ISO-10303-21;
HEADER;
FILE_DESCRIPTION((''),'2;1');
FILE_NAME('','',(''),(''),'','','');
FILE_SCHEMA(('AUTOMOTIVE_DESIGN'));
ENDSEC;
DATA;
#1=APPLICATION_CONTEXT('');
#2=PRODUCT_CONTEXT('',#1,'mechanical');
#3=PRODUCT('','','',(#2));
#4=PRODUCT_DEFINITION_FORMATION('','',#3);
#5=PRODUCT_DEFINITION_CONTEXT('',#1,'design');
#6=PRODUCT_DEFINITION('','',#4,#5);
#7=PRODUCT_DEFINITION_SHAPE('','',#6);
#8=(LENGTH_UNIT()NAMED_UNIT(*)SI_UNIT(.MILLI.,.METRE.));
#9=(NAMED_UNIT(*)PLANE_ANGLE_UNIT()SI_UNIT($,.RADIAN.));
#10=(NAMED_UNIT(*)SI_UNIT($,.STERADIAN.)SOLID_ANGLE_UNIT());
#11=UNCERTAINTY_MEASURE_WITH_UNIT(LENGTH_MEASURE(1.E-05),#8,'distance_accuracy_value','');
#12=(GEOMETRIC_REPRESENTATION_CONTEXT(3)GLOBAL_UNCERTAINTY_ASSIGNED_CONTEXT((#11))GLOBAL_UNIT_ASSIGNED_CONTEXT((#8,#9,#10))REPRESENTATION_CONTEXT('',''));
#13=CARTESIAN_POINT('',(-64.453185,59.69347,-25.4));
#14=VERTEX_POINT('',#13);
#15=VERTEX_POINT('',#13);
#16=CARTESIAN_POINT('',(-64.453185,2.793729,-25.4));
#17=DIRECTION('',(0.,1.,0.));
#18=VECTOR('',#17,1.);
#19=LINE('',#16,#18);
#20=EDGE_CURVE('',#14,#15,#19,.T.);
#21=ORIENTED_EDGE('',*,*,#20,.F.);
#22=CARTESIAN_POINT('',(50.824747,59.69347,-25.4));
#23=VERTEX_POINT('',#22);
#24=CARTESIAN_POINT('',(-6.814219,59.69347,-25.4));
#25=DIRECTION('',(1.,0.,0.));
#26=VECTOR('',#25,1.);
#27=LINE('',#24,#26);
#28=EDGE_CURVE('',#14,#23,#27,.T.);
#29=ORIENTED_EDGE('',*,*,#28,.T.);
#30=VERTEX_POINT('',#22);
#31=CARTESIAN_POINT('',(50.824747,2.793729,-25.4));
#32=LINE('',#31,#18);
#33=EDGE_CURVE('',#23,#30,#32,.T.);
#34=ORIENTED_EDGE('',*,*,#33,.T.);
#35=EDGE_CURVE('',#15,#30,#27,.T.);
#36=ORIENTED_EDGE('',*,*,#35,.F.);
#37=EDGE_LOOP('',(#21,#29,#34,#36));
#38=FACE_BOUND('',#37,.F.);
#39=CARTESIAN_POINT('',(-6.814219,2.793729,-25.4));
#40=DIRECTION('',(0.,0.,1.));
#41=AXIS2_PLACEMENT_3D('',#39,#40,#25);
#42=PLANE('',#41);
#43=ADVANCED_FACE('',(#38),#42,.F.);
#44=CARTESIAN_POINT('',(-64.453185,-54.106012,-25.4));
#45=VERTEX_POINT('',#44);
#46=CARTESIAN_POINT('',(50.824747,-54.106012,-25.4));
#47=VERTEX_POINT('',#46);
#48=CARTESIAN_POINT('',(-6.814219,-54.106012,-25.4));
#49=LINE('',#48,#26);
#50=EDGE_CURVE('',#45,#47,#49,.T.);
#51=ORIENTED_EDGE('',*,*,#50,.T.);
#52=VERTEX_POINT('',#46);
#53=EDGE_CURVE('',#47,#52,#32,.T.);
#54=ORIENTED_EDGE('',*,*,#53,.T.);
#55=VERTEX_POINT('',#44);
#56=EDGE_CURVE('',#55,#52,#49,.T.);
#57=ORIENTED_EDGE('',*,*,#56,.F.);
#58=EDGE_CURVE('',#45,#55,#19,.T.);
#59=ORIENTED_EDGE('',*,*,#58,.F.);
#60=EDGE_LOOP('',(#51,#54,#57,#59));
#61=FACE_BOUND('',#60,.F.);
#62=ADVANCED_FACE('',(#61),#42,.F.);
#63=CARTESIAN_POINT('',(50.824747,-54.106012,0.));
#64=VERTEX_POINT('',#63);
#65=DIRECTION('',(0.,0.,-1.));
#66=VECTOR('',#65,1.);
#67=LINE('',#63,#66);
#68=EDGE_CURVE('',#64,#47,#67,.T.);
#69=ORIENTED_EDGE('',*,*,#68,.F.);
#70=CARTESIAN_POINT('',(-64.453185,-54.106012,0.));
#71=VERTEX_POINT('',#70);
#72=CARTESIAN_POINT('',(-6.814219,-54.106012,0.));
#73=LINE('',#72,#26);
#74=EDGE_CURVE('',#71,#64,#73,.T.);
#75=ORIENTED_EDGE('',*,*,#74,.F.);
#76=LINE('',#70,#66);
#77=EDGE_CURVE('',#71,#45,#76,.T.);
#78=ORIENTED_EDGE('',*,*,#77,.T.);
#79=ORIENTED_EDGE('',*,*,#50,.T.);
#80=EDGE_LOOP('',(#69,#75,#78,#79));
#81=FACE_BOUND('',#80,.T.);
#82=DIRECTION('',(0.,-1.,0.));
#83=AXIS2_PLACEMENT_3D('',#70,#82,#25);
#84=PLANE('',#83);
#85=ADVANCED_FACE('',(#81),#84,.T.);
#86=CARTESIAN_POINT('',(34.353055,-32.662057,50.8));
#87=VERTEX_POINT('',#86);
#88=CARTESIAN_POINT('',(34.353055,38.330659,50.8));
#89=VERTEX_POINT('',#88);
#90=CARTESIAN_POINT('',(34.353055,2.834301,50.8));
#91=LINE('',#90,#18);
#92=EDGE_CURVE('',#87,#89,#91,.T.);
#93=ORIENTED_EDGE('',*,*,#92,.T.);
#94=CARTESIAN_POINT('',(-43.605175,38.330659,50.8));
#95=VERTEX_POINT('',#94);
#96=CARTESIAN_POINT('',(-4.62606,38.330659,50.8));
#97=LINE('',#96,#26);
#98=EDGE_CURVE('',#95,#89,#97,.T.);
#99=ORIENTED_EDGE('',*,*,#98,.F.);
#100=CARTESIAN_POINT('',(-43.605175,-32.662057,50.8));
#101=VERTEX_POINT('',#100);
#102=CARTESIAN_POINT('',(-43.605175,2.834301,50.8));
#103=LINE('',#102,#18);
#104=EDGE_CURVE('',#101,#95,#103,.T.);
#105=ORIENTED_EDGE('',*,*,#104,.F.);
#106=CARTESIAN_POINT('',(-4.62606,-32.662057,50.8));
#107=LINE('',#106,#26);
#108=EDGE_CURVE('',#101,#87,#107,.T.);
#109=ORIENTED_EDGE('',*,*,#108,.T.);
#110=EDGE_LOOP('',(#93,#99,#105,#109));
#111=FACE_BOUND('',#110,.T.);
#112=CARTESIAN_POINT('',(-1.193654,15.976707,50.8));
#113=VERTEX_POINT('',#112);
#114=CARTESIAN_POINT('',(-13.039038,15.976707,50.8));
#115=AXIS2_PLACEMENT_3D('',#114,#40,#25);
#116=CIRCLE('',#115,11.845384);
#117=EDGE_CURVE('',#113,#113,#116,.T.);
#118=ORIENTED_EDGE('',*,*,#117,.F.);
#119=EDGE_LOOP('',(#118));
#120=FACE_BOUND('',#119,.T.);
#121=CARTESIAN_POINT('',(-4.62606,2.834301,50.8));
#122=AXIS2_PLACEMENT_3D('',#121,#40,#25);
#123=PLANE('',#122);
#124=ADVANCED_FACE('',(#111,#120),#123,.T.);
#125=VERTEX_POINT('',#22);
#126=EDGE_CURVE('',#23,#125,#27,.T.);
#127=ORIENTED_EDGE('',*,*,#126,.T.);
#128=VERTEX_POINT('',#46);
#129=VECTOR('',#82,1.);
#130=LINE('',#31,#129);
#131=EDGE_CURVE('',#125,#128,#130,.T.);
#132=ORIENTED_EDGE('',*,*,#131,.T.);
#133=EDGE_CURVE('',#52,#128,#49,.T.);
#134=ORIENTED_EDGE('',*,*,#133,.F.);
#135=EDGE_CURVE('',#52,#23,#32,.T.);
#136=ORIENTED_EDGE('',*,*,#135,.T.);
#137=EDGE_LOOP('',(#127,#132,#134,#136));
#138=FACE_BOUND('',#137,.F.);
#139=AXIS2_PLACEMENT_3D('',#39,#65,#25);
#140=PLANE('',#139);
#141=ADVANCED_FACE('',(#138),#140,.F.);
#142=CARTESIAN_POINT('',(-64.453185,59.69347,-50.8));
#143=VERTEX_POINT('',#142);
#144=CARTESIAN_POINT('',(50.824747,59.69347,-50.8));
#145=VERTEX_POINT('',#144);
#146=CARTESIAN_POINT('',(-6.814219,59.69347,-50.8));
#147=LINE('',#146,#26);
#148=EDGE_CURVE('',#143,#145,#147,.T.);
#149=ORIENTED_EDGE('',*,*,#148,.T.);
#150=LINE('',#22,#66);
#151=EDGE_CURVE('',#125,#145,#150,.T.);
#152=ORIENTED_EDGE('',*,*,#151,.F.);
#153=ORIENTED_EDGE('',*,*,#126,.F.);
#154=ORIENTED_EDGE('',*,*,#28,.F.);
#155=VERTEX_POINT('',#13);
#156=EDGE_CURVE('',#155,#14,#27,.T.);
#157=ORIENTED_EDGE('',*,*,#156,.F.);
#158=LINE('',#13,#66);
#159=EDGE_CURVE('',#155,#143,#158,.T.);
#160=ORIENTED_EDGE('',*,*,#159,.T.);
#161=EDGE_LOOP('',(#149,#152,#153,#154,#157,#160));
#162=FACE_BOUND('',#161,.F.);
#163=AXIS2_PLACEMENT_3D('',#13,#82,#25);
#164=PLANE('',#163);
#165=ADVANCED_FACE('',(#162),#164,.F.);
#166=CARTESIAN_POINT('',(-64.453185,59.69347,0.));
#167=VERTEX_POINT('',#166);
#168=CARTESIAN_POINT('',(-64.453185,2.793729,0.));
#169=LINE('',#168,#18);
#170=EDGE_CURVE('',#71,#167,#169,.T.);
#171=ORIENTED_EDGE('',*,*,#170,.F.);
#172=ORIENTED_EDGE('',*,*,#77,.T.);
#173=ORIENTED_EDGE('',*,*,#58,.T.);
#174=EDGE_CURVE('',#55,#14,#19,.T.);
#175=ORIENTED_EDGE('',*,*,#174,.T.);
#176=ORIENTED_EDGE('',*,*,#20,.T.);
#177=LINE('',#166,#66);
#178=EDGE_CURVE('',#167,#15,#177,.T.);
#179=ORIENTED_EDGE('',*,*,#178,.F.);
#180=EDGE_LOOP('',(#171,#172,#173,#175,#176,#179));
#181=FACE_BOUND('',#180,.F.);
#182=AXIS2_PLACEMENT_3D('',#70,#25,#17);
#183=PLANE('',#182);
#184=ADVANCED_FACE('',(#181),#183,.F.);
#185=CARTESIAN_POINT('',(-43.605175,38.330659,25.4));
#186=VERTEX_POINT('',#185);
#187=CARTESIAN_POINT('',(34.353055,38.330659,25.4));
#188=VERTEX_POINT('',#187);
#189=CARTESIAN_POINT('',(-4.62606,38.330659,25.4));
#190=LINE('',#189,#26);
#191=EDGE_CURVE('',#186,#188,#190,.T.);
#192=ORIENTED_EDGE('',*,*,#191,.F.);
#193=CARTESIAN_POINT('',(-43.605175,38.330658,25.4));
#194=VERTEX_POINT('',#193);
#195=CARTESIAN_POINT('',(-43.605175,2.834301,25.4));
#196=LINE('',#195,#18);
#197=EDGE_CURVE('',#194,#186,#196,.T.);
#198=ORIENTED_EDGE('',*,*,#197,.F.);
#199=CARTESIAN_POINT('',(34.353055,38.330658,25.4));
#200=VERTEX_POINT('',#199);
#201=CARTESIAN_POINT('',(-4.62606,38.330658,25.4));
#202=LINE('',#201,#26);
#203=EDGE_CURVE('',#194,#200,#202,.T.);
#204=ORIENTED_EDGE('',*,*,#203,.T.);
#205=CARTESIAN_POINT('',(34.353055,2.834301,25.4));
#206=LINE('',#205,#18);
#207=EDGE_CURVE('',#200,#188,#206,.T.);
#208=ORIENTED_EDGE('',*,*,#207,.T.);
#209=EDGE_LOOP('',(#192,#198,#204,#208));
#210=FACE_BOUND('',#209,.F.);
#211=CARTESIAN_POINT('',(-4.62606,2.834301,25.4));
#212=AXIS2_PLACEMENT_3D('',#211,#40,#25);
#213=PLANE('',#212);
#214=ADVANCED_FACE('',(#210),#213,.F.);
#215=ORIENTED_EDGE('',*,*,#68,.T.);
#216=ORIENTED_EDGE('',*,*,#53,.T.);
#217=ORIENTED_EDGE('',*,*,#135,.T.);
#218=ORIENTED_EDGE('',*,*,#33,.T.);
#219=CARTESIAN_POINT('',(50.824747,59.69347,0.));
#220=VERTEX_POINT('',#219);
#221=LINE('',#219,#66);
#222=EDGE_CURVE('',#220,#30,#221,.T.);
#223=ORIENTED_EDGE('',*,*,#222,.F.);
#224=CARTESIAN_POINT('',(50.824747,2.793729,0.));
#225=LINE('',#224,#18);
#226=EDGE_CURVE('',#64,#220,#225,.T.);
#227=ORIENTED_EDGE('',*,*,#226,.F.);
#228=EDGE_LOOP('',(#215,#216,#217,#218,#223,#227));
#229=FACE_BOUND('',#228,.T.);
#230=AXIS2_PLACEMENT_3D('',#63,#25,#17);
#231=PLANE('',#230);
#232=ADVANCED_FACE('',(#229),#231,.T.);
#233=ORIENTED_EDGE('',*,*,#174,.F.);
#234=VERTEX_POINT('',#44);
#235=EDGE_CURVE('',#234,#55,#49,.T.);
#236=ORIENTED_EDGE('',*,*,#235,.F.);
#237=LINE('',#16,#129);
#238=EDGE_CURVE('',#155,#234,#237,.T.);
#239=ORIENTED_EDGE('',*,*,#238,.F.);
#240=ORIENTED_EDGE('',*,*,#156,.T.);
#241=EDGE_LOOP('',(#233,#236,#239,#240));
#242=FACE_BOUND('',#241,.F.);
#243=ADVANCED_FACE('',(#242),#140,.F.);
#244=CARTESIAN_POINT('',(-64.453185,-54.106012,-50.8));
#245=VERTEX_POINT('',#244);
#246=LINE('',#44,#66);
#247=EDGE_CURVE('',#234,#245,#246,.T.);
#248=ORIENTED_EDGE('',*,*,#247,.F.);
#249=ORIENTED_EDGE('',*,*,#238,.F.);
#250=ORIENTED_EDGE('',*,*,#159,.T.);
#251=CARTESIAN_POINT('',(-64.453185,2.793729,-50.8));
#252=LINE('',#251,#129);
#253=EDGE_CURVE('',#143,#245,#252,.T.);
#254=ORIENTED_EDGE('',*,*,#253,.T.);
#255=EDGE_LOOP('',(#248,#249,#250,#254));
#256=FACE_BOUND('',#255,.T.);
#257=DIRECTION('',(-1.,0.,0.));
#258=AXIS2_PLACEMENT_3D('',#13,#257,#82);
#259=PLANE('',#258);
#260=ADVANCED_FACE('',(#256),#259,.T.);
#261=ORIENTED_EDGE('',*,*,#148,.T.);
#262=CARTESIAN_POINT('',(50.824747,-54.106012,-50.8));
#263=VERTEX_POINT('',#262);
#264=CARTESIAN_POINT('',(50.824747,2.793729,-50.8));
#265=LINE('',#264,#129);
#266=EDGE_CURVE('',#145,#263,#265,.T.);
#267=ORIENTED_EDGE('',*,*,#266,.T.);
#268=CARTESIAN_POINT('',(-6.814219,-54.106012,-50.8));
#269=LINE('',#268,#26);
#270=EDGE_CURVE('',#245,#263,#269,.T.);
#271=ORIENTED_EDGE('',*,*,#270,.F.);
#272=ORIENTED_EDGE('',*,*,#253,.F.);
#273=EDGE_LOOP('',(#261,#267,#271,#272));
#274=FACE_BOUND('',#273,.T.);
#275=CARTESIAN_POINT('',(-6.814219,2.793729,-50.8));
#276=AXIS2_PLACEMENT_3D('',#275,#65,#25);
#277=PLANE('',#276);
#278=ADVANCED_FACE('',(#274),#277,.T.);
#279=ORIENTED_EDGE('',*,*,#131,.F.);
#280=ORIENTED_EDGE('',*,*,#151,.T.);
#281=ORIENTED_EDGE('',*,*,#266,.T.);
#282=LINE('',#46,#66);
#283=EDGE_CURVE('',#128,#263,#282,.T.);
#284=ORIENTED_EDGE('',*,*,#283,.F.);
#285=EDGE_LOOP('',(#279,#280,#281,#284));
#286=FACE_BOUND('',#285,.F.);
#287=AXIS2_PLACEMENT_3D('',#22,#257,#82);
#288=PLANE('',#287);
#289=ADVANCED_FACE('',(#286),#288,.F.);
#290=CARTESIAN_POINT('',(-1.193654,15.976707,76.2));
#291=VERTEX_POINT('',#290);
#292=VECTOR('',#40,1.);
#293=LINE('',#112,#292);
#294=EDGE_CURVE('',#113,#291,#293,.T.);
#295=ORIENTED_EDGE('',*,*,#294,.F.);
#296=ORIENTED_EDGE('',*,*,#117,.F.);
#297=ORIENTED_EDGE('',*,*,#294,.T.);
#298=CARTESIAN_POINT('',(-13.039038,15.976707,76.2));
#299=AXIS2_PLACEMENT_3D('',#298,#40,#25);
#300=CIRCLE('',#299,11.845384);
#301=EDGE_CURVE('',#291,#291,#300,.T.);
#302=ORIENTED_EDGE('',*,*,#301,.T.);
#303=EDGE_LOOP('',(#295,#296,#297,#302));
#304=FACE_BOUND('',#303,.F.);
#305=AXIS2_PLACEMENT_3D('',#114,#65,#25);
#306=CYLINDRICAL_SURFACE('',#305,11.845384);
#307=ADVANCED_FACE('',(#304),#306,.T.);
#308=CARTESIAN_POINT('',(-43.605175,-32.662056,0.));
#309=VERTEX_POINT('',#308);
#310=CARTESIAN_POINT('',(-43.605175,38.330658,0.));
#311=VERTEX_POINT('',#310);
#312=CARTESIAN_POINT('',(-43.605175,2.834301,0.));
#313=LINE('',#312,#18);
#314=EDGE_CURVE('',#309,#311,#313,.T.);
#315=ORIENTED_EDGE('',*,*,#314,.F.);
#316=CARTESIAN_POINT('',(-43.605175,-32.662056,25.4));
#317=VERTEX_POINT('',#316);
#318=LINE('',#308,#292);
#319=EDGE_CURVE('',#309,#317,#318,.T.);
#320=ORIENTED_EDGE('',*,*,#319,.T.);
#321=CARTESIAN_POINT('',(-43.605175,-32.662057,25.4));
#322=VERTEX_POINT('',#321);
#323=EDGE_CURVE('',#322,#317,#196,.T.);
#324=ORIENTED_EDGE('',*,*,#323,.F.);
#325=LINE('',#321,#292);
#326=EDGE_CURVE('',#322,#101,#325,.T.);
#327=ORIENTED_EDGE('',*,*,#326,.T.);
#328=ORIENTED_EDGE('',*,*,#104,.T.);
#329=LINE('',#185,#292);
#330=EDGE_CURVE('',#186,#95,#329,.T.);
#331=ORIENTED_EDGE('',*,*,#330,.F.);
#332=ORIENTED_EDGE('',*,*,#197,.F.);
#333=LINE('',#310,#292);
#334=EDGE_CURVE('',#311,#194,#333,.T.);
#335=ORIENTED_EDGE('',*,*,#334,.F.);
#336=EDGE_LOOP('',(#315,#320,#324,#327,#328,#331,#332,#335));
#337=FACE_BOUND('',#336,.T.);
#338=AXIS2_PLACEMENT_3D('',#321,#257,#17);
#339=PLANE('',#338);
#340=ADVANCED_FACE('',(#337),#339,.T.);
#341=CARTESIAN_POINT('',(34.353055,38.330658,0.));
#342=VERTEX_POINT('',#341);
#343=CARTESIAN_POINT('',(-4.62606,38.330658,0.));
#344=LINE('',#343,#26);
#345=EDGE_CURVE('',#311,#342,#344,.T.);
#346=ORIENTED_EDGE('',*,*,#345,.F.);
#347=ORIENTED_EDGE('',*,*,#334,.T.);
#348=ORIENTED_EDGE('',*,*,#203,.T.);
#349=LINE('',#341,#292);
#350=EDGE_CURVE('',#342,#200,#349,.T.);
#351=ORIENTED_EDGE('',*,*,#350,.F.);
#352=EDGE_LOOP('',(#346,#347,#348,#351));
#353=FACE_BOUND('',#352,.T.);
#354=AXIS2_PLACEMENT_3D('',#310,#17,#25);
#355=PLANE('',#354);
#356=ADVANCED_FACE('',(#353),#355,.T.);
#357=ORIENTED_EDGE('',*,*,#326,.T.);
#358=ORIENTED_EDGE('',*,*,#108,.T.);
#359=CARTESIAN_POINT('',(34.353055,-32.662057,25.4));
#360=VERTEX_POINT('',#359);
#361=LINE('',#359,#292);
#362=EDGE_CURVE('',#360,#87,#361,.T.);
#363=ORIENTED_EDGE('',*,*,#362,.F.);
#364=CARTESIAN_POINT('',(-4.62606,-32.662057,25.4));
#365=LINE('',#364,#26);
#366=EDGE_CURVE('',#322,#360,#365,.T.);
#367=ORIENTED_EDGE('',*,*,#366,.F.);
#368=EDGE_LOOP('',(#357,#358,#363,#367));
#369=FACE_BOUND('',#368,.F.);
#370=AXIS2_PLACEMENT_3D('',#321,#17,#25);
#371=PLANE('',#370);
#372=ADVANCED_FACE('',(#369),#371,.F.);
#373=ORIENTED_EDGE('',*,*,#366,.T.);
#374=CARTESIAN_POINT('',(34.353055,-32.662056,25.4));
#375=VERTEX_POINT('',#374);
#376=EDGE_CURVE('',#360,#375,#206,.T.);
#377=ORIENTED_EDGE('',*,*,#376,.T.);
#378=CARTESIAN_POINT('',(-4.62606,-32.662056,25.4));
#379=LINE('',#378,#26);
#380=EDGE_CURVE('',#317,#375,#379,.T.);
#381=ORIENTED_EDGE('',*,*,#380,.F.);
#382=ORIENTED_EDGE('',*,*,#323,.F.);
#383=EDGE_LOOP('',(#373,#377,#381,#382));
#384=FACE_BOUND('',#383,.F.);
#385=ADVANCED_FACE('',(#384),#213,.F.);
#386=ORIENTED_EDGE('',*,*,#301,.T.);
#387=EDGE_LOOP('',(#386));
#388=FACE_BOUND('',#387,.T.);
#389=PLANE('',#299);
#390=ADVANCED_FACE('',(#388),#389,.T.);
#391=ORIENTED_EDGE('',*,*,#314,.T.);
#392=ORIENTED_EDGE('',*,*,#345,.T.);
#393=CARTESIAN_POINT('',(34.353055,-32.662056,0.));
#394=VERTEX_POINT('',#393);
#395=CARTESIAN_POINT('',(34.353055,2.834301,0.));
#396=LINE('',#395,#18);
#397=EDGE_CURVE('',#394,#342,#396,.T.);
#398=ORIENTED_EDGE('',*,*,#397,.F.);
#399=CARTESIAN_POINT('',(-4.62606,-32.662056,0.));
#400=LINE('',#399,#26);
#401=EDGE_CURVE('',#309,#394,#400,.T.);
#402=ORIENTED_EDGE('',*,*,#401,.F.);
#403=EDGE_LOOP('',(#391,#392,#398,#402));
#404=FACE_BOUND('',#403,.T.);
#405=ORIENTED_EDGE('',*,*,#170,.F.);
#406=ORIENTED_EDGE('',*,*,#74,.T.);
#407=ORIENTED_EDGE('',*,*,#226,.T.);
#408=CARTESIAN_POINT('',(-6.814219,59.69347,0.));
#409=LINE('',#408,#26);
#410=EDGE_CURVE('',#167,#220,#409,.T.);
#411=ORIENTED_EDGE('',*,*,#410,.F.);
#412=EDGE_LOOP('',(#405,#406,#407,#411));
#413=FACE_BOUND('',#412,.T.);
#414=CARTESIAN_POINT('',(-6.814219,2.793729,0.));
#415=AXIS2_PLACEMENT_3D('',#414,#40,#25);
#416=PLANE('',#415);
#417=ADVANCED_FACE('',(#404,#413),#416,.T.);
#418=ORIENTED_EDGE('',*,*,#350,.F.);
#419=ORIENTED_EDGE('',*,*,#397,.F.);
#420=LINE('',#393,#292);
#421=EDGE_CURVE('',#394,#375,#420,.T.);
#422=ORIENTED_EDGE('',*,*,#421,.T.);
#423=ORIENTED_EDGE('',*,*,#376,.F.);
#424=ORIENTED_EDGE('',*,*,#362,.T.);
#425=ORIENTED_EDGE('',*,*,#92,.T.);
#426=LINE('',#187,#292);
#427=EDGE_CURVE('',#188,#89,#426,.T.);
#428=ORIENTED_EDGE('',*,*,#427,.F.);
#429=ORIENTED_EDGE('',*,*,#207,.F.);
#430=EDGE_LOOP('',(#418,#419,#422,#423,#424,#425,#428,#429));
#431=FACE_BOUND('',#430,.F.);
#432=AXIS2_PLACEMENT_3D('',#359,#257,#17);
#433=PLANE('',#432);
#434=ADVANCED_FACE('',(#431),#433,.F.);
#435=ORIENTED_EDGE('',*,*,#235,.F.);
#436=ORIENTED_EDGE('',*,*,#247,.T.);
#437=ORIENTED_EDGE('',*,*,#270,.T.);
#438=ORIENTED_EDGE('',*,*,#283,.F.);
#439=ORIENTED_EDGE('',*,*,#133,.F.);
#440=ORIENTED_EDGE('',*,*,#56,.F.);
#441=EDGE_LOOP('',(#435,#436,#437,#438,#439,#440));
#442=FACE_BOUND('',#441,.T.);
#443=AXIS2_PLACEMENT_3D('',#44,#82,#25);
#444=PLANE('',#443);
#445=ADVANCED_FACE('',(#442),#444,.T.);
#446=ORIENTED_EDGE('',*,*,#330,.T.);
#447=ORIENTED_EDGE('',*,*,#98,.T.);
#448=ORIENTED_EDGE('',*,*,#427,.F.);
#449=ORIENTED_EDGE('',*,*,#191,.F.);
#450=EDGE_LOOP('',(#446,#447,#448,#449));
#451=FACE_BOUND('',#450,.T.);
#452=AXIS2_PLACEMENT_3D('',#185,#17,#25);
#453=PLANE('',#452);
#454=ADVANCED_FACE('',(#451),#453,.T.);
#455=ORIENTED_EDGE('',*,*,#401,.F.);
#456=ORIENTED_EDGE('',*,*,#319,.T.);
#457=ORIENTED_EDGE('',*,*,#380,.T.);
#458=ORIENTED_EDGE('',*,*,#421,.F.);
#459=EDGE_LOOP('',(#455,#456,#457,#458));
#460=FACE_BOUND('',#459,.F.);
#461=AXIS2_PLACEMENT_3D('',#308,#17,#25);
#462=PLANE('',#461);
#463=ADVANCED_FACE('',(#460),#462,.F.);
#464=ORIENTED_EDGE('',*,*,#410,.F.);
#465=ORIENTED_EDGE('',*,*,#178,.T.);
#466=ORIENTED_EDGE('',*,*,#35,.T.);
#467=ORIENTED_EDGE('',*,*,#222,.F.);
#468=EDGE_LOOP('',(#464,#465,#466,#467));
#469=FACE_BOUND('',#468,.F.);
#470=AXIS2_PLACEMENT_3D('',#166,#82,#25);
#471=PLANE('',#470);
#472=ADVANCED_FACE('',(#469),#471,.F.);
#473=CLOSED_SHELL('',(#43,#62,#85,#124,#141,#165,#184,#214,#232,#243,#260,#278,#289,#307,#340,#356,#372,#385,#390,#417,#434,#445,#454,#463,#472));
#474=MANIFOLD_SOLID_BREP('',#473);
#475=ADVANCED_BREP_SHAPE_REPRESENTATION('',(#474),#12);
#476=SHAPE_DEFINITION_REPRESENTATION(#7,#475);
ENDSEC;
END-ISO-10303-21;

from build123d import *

# Parameters (mm, degrees)
F0_W      = 115.277931
F0_H      = 113.799483
F1_DEPTH  = 25.4
F1_FACE_W = 115.277932
F1_FACE_H = 113.799482
F2_DEPTH  = 25.4
F3_W      = 77.95823
F3_H      = 70.992715
F4_DEPTH  = 25.4
F4_FACE_W = 77.95823
F4_FACE_H = 70.992716
F5_DEPTH  = 25.4
F6_R      = 11.845384
F7_DEPTH  = 25.4


with BuildPart() as f1:
    # F0 (on Top) → F1 (new body)
    with BuildSketch(Plane.XY):
        with Locations((-6.814219, 2.793729)):
            Rectangle(F0_W, F0_H)
    extrude(amount=-F1_DEPTH)

    # F1_face (on face) → F2 (join)
    with BuildSketch(Plane(origin=(-6.814219, 2.793729, -25.4), x_dir=(1, 0, 0), z_dir=(0, 0, -1))):
        Rectangle(F1_FACE_W, F1_FACE_H)
    extrude(amount=F2_DEPTH)

    # F3 (on face) → F4 (join)
    with BuildSketch(Plane.XY):
        with Locations((-4.62606, 2.834301)):
            Rectangle(F3_W, F3_H)
    extrude(amount=F4_DEPTH)

    # F4_face (on face) → F5 (join)
    with BuildSketch(Plane(origin=(-4.62606, 2.834301, 25.4), x_dir=(1, 0, 0), z_dir=(0, 0, 1))):
        Rectangle(F4_FACE_W, F4_FACE_H)
    extrude(amount=F5_DEPTH)

    # F6 (on face) → F7 (join)
    with BuildSketch(Plane.XY.offset(50.8)):
        with Locations((-13.039038, 15.976707)):
            Circle(F6_R)
    extrude(amount=F7_DEPTH)


solid = f1.part
